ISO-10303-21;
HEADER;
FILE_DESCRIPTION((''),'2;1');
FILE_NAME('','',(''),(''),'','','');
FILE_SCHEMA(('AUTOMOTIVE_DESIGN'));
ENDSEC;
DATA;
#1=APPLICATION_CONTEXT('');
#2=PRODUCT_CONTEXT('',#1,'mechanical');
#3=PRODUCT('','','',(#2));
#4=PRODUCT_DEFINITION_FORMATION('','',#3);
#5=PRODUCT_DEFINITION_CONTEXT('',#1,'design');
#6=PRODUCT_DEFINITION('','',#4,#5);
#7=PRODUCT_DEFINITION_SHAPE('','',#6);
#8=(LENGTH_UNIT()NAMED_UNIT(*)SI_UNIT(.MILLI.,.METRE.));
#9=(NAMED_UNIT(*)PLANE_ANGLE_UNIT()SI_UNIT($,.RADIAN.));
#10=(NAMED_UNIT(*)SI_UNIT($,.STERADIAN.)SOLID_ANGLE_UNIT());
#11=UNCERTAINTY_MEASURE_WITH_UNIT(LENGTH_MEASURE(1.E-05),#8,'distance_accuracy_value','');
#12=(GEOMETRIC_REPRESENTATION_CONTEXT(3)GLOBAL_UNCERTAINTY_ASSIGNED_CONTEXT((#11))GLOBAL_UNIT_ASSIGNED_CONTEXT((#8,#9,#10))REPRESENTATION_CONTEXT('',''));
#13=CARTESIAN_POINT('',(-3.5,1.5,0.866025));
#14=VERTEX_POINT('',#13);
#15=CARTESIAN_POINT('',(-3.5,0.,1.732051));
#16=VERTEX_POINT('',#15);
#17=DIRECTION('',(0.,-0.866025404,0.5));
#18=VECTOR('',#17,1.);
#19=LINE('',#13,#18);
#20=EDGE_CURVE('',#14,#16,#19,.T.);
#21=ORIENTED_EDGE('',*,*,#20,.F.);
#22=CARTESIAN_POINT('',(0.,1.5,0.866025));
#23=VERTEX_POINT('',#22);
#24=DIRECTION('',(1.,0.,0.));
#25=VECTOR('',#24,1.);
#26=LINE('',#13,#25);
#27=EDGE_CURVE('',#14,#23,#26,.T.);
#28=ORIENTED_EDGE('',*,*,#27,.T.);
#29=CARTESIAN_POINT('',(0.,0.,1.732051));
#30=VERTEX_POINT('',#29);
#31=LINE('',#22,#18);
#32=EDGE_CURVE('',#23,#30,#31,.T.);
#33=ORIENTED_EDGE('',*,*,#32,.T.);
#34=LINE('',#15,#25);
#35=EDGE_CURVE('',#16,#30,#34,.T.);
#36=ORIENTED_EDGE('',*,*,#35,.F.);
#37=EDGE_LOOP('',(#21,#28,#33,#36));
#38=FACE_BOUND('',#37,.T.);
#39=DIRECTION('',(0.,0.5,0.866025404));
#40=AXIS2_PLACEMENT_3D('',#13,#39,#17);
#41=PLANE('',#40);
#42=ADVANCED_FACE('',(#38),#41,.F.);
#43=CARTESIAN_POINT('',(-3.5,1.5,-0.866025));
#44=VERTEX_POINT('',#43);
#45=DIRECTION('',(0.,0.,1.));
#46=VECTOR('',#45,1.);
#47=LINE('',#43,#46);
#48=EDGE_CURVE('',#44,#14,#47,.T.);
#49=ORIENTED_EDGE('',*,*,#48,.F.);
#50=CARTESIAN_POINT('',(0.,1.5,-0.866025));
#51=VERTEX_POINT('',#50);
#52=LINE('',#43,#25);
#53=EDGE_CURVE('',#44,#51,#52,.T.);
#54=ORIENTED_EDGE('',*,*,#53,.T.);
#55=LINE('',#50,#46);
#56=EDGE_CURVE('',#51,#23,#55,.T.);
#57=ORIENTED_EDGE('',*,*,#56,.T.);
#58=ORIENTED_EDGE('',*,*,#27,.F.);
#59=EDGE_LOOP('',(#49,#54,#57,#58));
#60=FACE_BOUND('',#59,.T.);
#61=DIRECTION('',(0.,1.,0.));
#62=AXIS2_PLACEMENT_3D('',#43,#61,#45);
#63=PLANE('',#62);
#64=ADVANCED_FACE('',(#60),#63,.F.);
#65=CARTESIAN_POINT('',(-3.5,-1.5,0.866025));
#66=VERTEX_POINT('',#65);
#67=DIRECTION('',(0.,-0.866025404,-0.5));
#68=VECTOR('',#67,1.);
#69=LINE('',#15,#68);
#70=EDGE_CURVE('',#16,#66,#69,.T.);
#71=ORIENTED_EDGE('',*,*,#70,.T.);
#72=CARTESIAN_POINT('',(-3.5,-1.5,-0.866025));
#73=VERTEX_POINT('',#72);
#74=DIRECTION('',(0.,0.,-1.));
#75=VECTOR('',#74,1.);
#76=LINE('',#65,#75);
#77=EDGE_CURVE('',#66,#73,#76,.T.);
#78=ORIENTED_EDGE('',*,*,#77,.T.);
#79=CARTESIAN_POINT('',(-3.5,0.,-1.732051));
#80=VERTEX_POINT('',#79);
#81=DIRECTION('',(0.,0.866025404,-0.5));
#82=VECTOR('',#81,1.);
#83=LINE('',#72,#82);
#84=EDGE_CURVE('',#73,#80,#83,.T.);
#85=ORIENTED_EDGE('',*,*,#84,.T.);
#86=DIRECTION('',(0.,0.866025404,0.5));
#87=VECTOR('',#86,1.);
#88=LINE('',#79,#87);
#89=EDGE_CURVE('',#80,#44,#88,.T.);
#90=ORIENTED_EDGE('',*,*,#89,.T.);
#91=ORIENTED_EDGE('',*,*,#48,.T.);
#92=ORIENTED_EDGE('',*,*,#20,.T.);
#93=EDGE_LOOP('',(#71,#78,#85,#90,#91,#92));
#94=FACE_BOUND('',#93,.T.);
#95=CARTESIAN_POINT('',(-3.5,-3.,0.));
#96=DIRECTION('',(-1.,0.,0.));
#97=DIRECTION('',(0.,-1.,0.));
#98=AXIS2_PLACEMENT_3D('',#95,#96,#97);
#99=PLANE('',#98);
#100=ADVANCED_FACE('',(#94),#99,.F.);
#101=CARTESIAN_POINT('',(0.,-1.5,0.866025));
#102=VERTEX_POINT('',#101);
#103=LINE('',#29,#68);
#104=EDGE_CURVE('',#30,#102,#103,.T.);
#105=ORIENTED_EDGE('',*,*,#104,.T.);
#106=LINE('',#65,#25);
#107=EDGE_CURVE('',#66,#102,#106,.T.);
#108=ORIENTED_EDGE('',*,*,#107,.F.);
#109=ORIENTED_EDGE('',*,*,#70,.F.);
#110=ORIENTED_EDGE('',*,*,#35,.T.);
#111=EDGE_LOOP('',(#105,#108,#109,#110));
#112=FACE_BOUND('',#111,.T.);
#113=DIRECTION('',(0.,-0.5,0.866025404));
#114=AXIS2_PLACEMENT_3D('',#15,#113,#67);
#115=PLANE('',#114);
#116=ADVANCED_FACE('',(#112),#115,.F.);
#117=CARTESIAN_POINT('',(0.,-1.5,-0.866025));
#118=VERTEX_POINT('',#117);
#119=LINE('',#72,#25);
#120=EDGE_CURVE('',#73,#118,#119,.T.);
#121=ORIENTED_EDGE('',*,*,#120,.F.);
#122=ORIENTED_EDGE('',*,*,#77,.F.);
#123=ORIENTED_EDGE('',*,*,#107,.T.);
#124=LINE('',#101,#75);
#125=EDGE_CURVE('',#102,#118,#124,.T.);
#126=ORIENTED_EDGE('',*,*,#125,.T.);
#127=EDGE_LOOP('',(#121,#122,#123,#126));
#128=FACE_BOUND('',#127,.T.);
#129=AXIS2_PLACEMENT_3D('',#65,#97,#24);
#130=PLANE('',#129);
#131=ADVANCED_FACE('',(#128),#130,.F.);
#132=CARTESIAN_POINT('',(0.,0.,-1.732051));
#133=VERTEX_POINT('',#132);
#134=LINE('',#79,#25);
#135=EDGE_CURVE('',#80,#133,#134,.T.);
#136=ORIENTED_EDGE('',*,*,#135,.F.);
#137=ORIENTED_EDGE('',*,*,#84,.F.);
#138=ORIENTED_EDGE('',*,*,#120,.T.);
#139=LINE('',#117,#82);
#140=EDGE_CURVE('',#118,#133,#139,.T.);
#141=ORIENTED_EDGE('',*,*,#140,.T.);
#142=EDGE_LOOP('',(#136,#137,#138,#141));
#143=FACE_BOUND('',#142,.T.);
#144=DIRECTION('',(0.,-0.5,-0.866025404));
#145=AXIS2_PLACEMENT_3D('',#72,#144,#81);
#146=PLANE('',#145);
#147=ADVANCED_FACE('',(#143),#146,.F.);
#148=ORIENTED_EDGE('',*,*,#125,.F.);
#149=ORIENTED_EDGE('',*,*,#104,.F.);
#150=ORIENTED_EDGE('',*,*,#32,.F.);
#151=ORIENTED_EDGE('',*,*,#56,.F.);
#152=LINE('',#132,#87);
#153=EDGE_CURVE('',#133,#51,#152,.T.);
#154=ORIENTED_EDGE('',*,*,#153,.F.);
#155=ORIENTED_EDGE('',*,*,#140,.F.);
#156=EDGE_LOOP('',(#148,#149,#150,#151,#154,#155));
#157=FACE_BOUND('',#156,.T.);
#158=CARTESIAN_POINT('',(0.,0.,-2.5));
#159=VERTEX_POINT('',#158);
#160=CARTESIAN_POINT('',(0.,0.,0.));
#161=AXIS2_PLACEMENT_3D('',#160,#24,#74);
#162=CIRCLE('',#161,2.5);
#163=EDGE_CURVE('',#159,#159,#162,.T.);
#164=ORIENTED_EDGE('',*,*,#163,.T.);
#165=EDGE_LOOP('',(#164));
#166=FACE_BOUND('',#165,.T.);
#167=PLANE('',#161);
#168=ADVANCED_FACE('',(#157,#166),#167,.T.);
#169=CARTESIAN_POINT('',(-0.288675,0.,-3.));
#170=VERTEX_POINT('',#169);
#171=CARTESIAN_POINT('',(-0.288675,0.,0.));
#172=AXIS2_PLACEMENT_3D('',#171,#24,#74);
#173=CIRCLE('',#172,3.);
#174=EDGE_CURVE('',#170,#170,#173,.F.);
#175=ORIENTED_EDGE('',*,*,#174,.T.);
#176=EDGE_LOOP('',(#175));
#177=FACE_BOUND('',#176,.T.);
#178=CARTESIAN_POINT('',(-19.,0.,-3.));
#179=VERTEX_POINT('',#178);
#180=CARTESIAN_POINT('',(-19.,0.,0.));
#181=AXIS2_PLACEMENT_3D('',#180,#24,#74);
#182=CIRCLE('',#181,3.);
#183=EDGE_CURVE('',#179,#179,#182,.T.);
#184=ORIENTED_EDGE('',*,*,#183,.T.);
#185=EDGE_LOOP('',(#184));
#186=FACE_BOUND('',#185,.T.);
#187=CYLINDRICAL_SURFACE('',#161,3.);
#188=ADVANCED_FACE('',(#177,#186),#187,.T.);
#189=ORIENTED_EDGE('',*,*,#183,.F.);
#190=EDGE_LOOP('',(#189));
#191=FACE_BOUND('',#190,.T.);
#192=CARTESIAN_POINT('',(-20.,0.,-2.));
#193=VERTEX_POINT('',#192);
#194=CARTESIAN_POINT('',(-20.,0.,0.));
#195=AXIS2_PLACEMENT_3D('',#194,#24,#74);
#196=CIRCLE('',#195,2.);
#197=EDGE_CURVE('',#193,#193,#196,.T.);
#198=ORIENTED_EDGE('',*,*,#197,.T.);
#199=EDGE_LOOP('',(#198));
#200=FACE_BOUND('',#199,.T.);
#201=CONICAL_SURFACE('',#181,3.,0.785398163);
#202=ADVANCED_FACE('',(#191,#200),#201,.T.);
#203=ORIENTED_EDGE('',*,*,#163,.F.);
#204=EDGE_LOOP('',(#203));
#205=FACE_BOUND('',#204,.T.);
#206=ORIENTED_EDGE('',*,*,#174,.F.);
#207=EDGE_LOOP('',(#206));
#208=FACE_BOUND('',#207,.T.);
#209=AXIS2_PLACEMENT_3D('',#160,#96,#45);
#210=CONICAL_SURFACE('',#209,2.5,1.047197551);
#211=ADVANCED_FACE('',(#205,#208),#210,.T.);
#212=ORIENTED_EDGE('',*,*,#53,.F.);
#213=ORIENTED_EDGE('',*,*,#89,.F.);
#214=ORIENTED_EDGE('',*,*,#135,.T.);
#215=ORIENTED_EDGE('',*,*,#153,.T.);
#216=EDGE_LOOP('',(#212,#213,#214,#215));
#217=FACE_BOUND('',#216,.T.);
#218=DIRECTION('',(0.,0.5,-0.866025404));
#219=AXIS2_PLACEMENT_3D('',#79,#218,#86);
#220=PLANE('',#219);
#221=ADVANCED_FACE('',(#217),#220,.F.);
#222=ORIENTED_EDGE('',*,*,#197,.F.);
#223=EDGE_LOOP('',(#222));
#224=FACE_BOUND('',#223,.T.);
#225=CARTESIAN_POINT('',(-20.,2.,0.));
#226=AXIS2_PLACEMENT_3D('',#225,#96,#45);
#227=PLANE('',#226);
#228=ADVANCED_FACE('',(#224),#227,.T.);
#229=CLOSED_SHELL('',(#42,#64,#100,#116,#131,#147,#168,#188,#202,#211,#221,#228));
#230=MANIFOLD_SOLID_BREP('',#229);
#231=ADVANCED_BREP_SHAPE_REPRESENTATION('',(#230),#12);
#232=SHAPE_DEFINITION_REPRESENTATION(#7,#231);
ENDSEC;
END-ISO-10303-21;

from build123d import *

# Parameters (mm, degrees)
CUT_EXTRUDE1_DEPTH = 3.5
CHAMFER1_SIZE      = 0.288675135
CHAMFER1_SIZE2     = 0.5


with BuildPart() as part:
    # Sketch1 → Revolve1 (revolve)
    with BuildSketch(Plane.XY, mode=Mode.PRIVATE) as revolve1_sk:
        Polygon((-20, 2), (-19, 3), (0, 3), (0, 0), (-20, 0), align=None)
    revolve(revolve1_sk.sketch.rotate(Axis((0, 0, 0), (-1, 0, 0)), 90), axis=Axis((0, 0, 0), (-1, 0, 0)))

    # Sketch2 → Cut-Extrude1 (cut)
    with BuildSketch(Plane(origin=(0, 0, 0), x_dir=(0, 0, -1), z_dir=(1, 0, 0))):
        Polygon((1.732050808, 0), (0.866025404, 1.5), (-0.866025404, 1.5), (-1.732050808, 0), (-0.866025404, -1.5), (0.866025404, -1.5), align=None)
    extrude(amount=-CUT_EXTRUDE1_DEPTH, mode=Mode.SUBTRACT)

    # Chamfer1
    chamfer1_edges = [part.edges().sort_by_distance(p)[0] for p in [
        (0, 0, 3),
    ]]
    chamfer1_side = [part.faces().sort_by_distance(p)[0] for p in [
        (-9.5, 0, 3),
    ]]
    chamfer(chamfer1_edges, length=CHAMFER1_SIZE, length2=CHAMFER1_SIZE2, reference=chamfer1_side[0])


solid = part.part
